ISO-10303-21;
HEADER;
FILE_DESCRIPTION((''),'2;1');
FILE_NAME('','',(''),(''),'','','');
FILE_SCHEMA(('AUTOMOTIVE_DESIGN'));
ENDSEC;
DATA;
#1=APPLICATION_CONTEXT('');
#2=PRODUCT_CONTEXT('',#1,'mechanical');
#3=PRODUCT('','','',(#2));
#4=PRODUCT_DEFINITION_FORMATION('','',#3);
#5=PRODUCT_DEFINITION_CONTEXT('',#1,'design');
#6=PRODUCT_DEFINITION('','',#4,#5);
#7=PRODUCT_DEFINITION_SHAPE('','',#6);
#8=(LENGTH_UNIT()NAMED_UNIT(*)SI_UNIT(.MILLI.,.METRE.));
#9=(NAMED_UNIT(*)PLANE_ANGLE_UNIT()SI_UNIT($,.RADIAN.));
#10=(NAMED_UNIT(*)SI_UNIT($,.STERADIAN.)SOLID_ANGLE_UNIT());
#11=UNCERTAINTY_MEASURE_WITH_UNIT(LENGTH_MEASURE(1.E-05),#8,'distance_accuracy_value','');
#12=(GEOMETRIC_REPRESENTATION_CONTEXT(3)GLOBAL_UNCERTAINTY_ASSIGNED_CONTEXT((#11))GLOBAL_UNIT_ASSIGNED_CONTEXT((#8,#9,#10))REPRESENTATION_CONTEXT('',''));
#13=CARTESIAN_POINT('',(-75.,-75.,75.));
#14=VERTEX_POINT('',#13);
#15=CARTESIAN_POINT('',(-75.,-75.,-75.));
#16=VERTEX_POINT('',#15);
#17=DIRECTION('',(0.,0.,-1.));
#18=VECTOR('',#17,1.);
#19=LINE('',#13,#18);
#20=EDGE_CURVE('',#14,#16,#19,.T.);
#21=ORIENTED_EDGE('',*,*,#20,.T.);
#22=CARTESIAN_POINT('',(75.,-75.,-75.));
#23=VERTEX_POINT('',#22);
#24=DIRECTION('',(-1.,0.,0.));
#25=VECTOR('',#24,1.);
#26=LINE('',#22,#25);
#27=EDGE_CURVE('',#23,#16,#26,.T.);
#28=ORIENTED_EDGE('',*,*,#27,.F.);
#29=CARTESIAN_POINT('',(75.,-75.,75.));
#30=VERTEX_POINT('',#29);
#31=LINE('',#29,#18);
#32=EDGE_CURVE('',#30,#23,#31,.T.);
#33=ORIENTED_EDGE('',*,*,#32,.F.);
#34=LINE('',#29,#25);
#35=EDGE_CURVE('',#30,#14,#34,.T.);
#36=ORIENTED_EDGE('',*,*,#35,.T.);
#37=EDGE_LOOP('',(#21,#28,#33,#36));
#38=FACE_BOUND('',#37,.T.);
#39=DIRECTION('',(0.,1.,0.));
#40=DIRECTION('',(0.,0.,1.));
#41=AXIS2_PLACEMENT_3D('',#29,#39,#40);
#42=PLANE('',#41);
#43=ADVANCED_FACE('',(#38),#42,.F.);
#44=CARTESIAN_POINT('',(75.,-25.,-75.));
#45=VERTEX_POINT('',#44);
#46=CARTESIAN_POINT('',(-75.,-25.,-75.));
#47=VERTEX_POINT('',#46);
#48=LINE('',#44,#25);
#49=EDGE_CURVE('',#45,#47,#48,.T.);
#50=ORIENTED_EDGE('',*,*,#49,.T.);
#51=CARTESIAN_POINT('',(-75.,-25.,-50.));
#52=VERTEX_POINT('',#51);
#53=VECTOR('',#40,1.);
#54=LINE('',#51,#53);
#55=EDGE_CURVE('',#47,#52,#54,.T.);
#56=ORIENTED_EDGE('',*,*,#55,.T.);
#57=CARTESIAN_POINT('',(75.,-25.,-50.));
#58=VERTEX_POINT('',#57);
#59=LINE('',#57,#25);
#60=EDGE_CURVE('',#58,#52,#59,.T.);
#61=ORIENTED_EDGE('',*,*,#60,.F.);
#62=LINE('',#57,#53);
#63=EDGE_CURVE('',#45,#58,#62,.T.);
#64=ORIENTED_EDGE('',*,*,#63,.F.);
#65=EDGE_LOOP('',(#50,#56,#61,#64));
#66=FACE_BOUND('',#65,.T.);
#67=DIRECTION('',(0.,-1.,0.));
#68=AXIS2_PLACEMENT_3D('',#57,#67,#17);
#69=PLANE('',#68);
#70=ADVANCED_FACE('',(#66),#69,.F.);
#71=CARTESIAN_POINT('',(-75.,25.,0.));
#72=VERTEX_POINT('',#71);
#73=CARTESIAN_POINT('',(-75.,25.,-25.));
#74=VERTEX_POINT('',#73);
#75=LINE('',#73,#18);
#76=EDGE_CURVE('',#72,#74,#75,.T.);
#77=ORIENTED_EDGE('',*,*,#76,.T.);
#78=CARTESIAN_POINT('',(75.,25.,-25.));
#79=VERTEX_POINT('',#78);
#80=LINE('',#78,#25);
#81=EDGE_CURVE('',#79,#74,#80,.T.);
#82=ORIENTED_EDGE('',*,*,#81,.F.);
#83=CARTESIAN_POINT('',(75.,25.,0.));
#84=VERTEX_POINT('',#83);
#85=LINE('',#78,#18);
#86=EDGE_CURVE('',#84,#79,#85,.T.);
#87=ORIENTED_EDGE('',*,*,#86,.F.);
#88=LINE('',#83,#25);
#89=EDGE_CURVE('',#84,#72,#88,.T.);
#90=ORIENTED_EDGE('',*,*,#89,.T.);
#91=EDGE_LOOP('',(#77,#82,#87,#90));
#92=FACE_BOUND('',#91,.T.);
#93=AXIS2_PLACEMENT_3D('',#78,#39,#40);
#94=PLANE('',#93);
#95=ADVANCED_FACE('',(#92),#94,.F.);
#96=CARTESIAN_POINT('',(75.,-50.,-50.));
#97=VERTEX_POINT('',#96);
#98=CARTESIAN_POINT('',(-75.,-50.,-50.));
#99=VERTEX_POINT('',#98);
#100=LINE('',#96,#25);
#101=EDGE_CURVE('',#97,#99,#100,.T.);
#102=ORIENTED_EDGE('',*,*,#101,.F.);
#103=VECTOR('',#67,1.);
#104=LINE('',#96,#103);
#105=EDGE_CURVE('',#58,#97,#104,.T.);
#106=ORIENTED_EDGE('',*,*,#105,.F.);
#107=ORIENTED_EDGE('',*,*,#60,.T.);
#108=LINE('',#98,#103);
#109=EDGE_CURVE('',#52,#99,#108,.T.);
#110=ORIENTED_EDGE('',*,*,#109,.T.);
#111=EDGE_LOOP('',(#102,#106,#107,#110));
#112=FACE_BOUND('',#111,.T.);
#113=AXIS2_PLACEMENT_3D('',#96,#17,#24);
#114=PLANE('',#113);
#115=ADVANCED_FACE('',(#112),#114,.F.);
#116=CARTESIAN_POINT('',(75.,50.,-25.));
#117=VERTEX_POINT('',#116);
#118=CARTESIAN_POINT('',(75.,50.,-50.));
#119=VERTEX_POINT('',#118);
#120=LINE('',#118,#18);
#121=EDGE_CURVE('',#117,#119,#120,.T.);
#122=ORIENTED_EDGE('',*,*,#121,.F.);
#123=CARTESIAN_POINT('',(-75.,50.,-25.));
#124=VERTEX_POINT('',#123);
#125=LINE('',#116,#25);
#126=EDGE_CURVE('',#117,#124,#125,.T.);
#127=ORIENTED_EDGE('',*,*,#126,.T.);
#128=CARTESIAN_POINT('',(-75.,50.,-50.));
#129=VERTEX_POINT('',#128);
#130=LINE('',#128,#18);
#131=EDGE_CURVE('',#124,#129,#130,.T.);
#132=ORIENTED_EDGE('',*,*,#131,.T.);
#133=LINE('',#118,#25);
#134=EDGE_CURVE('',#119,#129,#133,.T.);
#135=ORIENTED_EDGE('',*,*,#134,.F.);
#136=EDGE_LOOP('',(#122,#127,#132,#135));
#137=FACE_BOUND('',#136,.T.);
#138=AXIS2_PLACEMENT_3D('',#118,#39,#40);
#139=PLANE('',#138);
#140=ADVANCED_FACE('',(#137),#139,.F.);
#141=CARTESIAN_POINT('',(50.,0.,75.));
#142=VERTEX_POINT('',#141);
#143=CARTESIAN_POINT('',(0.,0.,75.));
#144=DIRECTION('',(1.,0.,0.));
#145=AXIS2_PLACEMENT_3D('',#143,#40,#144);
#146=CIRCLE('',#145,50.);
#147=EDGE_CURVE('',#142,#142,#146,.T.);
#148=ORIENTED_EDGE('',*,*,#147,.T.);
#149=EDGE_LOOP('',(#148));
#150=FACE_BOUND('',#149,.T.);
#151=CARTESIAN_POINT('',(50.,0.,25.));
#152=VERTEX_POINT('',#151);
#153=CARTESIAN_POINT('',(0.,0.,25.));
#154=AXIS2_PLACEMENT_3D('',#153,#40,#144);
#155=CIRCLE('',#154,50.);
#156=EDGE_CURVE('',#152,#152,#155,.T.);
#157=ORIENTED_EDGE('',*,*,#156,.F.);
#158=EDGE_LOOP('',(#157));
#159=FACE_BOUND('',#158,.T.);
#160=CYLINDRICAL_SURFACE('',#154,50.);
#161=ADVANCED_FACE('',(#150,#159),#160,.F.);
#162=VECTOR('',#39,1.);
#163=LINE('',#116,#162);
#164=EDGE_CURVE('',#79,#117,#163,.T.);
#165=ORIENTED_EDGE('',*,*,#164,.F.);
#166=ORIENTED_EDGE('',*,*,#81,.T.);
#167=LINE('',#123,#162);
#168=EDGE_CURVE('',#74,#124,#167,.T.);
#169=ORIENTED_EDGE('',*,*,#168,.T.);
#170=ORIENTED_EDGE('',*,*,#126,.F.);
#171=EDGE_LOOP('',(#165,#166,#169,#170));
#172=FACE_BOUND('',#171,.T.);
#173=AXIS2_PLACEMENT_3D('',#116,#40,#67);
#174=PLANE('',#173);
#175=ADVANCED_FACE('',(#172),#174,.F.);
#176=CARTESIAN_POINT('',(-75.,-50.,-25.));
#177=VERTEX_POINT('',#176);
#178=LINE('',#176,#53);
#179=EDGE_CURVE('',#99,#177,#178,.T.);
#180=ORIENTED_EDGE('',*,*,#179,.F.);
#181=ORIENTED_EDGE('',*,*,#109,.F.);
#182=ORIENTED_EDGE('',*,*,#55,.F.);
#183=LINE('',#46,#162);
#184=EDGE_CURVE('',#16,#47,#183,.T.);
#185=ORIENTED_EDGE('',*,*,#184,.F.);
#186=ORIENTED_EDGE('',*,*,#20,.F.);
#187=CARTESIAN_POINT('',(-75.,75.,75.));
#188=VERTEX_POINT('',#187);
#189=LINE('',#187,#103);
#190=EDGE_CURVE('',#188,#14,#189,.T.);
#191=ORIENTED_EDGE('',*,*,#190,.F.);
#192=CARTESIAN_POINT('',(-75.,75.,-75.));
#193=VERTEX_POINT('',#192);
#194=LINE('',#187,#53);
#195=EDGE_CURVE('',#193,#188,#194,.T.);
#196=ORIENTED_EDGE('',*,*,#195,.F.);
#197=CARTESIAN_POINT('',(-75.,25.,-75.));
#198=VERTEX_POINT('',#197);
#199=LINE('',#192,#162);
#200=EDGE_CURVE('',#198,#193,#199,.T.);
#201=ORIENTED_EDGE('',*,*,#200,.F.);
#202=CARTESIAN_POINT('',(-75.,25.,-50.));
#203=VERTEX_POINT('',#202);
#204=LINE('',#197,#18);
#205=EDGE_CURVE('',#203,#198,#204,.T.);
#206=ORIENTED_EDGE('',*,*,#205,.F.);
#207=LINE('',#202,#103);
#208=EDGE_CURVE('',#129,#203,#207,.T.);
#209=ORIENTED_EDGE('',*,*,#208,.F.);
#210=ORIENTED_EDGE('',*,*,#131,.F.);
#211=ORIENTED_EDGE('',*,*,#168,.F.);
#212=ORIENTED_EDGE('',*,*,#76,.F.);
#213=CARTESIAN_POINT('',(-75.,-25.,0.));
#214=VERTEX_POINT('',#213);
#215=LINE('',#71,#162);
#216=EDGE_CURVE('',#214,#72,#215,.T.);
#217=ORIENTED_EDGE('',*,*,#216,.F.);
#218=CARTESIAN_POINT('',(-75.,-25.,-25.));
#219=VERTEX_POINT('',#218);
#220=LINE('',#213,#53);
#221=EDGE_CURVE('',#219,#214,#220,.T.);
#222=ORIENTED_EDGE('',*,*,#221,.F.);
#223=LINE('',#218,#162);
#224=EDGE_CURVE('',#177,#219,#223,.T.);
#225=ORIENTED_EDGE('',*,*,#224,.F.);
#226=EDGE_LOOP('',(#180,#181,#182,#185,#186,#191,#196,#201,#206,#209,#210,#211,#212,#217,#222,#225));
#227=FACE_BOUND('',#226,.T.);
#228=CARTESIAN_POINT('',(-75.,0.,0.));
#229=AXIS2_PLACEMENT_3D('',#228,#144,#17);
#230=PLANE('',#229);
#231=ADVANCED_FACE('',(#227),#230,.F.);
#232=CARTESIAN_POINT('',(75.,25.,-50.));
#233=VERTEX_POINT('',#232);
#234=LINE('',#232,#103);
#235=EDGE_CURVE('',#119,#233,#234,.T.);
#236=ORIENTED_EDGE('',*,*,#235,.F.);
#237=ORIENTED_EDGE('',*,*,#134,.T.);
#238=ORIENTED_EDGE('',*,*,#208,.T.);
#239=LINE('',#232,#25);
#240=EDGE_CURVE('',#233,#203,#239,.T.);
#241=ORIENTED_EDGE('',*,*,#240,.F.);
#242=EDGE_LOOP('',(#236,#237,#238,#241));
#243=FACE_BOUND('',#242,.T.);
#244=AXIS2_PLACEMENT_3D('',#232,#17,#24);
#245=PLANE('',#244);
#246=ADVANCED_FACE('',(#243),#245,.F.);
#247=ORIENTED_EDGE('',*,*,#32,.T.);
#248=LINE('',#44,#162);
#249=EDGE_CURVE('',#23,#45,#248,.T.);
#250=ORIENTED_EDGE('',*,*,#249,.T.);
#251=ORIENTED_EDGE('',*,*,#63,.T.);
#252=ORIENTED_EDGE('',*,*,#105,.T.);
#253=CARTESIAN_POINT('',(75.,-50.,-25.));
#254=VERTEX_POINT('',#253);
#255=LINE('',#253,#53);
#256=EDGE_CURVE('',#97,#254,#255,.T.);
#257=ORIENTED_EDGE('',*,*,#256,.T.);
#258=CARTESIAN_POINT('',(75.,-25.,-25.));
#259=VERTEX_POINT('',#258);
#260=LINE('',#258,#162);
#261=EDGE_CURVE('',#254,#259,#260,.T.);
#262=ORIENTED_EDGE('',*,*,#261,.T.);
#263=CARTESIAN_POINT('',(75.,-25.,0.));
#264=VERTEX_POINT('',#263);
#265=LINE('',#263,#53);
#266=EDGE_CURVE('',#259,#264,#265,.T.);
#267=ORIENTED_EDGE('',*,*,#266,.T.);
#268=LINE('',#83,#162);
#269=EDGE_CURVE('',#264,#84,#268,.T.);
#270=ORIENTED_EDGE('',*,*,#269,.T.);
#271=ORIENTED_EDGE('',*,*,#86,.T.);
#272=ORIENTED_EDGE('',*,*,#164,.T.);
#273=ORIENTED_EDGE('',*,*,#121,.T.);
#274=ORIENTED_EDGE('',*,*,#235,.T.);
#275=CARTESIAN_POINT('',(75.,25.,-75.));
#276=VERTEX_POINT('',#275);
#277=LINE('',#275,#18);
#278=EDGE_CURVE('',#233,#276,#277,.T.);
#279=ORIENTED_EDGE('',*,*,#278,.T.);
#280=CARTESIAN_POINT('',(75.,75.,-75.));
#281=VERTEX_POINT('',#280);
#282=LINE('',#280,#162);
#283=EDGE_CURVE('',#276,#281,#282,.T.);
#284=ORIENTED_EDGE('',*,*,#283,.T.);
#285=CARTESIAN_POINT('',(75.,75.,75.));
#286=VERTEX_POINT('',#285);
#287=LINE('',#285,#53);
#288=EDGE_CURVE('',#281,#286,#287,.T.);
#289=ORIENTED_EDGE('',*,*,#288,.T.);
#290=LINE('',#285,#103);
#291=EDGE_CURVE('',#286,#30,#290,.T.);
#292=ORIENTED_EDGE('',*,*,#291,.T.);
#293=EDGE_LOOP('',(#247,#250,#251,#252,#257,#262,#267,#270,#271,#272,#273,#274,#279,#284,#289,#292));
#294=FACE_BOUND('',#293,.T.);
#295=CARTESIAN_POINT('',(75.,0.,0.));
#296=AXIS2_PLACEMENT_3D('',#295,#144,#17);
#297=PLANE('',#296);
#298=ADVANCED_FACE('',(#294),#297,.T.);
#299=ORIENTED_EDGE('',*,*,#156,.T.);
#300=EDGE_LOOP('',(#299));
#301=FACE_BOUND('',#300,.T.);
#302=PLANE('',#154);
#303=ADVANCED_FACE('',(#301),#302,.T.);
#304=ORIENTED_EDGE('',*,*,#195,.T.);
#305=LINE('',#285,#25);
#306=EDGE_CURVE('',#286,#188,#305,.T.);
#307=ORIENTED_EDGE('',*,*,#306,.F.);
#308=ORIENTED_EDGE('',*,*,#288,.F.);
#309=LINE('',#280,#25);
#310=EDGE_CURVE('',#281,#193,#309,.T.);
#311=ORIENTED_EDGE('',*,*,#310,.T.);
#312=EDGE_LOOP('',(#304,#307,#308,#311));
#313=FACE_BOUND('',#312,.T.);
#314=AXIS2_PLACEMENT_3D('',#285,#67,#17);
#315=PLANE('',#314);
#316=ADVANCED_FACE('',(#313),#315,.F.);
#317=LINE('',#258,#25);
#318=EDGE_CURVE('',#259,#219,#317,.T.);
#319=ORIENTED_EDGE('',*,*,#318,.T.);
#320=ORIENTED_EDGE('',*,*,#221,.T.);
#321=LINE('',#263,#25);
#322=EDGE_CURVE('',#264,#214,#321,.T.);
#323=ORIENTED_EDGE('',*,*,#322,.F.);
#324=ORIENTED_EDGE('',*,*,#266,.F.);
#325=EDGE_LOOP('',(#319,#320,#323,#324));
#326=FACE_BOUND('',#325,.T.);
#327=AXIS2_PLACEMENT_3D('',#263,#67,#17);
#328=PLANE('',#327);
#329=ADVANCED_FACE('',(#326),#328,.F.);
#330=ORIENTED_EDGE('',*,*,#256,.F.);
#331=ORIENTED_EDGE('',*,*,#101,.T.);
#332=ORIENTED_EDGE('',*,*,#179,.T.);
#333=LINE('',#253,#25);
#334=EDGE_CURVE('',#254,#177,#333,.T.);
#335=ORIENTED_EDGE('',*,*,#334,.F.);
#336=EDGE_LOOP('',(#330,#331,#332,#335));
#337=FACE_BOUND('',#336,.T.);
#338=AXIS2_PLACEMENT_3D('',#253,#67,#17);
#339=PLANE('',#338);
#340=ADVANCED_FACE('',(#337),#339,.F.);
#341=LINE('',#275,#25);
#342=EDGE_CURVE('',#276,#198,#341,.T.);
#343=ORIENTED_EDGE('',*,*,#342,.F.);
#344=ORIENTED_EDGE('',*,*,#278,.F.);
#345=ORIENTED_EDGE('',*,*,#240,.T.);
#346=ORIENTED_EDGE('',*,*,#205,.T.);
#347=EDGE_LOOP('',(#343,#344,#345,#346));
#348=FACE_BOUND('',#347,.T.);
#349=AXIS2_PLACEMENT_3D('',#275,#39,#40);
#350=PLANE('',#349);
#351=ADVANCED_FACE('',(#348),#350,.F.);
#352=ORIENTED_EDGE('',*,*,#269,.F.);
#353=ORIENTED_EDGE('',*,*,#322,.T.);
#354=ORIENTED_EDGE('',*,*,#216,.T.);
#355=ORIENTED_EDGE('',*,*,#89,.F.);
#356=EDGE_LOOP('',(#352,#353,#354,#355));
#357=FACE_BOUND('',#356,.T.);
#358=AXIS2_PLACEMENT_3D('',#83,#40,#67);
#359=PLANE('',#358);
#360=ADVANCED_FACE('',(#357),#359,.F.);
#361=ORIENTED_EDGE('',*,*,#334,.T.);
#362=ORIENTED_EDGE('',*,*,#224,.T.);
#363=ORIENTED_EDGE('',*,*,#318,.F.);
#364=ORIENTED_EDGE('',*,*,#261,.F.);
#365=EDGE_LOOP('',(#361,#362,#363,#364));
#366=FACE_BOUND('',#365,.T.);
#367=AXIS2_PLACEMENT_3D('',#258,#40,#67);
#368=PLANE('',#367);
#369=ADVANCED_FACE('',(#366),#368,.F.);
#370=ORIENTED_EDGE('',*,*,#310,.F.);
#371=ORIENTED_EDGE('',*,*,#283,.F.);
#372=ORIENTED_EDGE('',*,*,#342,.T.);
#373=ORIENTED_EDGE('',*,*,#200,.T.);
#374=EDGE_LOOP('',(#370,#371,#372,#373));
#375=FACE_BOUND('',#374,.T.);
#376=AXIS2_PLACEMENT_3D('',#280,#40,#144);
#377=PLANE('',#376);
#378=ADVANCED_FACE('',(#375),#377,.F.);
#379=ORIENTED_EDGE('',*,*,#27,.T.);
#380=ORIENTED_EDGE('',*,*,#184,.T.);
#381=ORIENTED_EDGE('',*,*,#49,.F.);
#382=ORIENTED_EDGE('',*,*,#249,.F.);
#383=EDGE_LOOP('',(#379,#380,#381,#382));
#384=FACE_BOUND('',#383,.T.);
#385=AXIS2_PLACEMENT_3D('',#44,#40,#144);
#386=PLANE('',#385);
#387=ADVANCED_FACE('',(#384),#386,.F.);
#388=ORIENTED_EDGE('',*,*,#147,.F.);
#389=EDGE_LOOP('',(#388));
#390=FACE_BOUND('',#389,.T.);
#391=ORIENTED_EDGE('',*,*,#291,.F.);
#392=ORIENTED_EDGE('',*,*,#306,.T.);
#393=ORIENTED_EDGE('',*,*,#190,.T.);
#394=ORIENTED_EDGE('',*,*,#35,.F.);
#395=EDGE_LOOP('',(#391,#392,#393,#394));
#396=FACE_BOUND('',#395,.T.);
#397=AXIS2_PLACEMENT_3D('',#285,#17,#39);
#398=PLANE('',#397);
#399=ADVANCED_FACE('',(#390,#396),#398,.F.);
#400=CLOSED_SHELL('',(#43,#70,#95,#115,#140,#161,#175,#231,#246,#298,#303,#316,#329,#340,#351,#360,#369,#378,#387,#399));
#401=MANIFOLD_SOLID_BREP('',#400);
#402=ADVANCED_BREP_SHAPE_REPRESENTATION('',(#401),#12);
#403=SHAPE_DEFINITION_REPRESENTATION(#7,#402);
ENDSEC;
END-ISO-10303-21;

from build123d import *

# Parameters (mm, degrees)
BOSS_EXTRUDE1_DEPTH      = 75
BOSS_EXTRUDE1_DEPTH_BACK = 75
SKETCH4_R                = 50
CUT_EXTRUDE1_DEPTH       = 50


with BuildPart() as part:
    # Sketch2 → Boss-Extrude1 (new, two sides: drawn at the far end of the back side and taken through both)
    with BuildSketch(Plane(origin=(0, 0, 0), x_dir=(0, 0, -1), z_dir=(1, 0, 0)).offset(-BOSS_EXTRUDE1_DEPTH_BACK)):
        Polygon((75, 25), (50, 25), (50, 50), (25, 50), (25, 25), (0, 25), (0, -25), (25, -25), (25, -50), (50, -50), (50, -25), (75, -25), (75, -75), (-75, -75), (-75, 75), (75, 75), align=None)
    extrude(amount=BOSS_EXTRUDE1_DEPTH + BOSS_EXTRUDE1_DEPTH_BACK)

    # Sketch4 → Cut-Extrude1 (cut)
    with BuildSketch(Plane.XY.offset(75)):
        Circle(SKETCH4_R)
    extrude(amount=-CUT_EXTRUDE1_DEPTH, mode=Mode.SUBTRACT)


solid = part.part
